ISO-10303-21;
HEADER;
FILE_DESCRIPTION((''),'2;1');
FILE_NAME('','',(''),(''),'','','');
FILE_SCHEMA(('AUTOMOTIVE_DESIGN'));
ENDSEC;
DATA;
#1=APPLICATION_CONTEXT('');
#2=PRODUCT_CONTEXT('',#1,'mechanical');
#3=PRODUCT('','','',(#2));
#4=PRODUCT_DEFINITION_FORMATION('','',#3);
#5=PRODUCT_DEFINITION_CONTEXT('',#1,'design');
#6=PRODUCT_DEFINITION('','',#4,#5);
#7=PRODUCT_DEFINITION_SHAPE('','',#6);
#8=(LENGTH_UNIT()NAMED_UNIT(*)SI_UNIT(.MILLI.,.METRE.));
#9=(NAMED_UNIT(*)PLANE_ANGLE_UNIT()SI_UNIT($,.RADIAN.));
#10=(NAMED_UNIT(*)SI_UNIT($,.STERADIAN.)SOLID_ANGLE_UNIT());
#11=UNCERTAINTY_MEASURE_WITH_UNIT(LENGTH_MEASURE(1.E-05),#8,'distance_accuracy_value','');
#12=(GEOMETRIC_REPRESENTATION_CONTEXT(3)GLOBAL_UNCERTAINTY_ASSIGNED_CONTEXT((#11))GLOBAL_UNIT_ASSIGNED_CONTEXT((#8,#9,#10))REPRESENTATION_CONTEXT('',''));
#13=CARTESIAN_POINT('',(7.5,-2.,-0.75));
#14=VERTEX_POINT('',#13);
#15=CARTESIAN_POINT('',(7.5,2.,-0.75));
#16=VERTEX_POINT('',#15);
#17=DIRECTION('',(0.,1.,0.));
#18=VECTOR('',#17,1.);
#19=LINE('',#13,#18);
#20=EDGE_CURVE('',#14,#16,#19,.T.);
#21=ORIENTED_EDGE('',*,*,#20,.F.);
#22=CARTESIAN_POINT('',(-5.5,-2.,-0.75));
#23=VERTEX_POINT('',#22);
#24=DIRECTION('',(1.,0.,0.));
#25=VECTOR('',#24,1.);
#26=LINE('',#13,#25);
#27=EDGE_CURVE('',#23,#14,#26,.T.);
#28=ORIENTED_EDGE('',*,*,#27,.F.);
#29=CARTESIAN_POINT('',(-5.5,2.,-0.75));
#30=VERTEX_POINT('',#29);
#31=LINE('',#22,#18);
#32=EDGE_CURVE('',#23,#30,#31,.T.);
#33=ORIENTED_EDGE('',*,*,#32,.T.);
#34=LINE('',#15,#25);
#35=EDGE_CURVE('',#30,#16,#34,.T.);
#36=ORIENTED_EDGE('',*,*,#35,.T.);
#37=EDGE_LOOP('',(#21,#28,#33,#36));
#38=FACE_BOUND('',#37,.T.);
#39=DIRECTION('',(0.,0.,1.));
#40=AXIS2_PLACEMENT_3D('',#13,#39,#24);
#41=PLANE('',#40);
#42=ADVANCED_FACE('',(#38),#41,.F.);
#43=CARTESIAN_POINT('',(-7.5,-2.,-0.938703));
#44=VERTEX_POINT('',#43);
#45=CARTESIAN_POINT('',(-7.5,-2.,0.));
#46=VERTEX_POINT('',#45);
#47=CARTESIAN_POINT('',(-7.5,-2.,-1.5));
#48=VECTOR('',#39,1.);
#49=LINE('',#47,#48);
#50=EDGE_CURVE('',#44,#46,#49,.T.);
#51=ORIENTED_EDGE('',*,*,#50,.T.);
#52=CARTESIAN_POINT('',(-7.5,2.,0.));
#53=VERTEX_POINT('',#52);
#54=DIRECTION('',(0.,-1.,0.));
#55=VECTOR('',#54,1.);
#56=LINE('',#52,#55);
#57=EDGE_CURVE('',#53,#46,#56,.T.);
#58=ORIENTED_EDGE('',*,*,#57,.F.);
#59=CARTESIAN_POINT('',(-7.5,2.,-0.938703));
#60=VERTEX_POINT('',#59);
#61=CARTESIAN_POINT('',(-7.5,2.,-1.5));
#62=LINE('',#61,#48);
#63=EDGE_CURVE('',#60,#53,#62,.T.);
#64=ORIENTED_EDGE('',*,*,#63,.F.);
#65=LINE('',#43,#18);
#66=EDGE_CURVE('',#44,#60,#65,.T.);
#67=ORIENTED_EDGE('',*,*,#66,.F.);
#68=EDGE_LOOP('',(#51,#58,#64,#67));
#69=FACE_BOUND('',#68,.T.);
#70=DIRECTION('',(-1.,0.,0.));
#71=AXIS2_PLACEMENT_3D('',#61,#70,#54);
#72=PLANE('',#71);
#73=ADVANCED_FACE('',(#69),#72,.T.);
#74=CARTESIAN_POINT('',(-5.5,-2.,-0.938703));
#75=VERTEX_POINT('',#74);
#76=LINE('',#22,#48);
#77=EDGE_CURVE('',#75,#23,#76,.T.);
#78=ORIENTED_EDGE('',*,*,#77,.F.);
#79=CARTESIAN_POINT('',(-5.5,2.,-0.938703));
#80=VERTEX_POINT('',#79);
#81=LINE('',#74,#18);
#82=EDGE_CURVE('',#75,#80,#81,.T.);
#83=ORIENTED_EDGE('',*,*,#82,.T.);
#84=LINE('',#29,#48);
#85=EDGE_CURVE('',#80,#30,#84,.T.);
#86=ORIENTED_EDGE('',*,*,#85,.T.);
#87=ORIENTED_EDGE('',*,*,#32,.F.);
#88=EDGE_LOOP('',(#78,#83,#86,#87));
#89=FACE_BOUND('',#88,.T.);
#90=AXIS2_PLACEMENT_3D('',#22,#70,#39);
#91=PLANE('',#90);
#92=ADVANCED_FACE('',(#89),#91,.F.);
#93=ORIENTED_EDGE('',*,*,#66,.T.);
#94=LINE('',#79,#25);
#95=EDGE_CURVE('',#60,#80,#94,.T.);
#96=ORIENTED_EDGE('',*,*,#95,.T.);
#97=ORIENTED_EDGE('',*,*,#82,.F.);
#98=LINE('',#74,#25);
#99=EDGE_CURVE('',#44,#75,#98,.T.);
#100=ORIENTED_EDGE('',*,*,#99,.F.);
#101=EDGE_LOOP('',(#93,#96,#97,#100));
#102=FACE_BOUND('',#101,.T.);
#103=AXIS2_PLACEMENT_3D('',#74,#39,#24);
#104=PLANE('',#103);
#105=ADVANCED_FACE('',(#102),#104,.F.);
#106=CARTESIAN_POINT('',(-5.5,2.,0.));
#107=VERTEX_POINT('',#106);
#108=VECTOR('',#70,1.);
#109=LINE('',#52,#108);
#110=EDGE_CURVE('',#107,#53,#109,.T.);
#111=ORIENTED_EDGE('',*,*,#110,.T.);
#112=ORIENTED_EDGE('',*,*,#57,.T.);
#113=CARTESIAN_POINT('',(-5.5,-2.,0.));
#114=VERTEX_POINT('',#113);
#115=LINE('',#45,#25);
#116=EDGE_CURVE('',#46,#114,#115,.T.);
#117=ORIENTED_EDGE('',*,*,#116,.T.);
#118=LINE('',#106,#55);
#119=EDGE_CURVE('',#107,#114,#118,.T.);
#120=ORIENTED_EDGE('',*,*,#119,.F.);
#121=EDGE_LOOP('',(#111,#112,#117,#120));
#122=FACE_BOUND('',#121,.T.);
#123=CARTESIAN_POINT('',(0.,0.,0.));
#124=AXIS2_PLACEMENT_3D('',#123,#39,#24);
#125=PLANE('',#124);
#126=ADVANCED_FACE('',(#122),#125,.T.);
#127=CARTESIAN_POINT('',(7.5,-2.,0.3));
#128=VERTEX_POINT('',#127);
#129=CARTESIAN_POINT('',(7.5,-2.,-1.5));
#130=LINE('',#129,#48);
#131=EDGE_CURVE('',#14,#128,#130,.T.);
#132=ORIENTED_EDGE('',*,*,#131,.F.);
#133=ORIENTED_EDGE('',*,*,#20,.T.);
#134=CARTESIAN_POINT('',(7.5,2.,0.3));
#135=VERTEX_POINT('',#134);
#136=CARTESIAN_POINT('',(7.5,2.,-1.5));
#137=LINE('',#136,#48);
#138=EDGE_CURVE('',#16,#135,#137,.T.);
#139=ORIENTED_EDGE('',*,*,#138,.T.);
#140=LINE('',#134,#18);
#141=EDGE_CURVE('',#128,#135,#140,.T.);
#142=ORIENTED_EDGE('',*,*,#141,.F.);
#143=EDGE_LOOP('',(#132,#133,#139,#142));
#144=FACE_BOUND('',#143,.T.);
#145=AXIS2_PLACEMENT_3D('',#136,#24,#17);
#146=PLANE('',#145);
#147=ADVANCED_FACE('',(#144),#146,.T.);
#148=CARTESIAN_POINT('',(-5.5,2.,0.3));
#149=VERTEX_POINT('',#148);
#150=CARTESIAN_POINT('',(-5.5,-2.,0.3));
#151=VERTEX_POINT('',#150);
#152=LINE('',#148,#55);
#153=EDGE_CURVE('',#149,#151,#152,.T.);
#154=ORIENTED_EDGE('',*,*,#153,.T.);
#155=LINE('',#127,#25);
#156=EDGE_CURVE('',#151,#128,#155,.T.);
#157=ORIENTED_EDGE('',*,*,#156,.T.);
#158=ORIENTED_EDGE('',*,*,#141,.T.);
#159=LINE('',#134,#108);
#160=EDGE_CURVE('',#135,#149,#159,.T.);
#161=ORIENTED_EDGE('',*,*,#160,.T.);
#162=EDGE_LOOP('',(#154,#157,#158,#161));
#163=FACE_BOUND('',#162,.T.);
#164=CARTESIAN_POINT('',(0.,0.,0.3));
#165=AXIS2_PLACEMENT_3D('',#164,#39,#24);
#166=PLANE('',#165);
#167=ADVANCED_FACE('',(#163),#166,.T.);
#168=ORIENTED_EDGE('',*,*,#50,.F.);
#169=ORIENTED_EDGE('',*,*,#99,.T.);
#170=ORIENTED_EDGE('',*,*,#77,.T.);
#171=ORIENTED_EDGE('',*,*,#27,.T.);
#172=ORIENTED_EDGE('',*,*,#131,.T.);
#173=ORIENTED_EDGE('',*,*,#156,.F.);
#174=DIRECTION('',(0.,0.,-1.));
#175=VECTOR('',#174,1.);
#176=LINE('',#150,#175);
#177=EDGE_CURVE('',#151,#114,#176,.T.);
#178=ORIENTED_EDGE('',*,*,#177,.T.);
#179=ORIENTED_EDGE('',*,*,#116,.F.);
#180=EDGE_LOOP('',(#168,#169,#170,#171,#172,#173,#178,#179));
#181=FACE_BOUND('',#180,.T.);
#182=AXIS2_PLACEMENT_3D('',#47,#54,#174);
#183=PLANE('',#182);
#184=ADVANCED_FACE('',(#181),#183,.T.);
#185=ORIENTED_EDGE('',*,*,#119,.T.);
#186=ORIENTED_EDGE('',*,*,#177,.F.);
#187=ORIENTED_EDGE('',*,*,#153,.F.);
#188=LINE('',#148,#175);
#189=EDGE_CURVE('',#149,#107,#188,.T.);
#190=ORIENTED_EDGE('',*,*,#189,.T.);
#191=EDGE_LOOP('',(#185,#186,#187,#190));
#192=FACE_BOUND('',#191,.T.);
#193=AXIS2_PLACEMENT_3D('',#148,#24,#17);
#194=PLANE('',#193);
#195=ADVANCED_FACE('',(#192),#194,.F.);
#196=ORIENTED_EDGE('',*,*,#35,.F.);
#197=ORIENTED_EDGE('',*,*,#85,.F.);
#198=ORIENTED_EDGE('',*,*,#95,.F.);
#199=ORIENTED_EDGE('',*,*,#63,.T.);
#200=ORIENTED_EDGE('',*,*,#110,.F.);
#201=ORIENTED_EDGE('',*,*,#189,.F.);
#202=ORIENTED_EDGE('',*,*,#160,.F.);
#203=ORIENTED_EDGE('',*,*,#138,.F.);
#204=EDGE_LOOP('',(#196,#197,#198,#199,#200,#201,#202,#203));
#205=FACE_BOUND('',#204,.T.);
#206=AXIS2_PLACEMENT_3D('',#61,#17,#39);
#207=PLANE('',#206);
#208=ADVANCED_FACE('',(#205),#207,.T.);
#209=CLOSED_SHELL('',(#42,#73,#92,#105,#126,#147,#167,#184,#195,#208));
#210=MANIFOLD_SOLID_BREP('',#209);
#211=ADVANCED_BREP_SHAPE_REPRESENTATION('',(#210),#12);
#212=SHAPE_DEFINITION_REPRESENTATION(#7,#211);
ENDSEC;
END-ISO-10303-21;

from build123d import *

# Parameters (mm, degrees)
SCHIZZO1_W                   = 15
SCHIZZO1_H                   = 4
ESTRUSIONE_ESTRUSIONE1_DEPTH = 1.5
SCHIZZO2_W                   = 13
SCHIZZO2_H                   = 4
ESTRUSIONE_ESTRUSIONE2_DEPTH = 0.3
TAGLIO_ESTRUSIONE1_DEPTH     = 4


with BuildPart() as part:
    # Schizzo1 → Estrusione-Estrusione1 (new body)
    with BuildSketch(Plane.XY):
        Rectangle(SCHIZZO1_W, SCHIZZO1_H)
    extrude(amount=-ESTRUSIONE_ESTRUSIONE1_DEPTH)

    # Schizzo2 → Estrusione-Estrusione2 (add)
    with BuildSketch(Plane.XY):
        with Locations((1, 0)):
            Rectangle(SCHIZZO2_W, SCHIZZO2_H)
    extrude(amount=ESTRUSIONE_ESTRUSIONE2_DEPTH)

    # Schizzo3 → Taglio-Estrusione1 (cut)
    with BuildSketch(Plane(origin=(0, 2, 0), x_dir=(1, 0, 0), z_dir=(0, 1, 0))):
        Polygon((-7.5, 1.5), (7.5, 1.5), (7.5, 0.75), (-5.5, 0.75), (-5.5, 0.938702512), (-7.5, 0.938702512), (-7.5, 0.75), (-7.660914318, 0.75), (-7.660914318, 1.501079849), align=None)
    extrude(amount=-TAGLIO_ESTRUSIONE1_DEPTH, mode=Mode.SUBTRACT)


solid = part.part
